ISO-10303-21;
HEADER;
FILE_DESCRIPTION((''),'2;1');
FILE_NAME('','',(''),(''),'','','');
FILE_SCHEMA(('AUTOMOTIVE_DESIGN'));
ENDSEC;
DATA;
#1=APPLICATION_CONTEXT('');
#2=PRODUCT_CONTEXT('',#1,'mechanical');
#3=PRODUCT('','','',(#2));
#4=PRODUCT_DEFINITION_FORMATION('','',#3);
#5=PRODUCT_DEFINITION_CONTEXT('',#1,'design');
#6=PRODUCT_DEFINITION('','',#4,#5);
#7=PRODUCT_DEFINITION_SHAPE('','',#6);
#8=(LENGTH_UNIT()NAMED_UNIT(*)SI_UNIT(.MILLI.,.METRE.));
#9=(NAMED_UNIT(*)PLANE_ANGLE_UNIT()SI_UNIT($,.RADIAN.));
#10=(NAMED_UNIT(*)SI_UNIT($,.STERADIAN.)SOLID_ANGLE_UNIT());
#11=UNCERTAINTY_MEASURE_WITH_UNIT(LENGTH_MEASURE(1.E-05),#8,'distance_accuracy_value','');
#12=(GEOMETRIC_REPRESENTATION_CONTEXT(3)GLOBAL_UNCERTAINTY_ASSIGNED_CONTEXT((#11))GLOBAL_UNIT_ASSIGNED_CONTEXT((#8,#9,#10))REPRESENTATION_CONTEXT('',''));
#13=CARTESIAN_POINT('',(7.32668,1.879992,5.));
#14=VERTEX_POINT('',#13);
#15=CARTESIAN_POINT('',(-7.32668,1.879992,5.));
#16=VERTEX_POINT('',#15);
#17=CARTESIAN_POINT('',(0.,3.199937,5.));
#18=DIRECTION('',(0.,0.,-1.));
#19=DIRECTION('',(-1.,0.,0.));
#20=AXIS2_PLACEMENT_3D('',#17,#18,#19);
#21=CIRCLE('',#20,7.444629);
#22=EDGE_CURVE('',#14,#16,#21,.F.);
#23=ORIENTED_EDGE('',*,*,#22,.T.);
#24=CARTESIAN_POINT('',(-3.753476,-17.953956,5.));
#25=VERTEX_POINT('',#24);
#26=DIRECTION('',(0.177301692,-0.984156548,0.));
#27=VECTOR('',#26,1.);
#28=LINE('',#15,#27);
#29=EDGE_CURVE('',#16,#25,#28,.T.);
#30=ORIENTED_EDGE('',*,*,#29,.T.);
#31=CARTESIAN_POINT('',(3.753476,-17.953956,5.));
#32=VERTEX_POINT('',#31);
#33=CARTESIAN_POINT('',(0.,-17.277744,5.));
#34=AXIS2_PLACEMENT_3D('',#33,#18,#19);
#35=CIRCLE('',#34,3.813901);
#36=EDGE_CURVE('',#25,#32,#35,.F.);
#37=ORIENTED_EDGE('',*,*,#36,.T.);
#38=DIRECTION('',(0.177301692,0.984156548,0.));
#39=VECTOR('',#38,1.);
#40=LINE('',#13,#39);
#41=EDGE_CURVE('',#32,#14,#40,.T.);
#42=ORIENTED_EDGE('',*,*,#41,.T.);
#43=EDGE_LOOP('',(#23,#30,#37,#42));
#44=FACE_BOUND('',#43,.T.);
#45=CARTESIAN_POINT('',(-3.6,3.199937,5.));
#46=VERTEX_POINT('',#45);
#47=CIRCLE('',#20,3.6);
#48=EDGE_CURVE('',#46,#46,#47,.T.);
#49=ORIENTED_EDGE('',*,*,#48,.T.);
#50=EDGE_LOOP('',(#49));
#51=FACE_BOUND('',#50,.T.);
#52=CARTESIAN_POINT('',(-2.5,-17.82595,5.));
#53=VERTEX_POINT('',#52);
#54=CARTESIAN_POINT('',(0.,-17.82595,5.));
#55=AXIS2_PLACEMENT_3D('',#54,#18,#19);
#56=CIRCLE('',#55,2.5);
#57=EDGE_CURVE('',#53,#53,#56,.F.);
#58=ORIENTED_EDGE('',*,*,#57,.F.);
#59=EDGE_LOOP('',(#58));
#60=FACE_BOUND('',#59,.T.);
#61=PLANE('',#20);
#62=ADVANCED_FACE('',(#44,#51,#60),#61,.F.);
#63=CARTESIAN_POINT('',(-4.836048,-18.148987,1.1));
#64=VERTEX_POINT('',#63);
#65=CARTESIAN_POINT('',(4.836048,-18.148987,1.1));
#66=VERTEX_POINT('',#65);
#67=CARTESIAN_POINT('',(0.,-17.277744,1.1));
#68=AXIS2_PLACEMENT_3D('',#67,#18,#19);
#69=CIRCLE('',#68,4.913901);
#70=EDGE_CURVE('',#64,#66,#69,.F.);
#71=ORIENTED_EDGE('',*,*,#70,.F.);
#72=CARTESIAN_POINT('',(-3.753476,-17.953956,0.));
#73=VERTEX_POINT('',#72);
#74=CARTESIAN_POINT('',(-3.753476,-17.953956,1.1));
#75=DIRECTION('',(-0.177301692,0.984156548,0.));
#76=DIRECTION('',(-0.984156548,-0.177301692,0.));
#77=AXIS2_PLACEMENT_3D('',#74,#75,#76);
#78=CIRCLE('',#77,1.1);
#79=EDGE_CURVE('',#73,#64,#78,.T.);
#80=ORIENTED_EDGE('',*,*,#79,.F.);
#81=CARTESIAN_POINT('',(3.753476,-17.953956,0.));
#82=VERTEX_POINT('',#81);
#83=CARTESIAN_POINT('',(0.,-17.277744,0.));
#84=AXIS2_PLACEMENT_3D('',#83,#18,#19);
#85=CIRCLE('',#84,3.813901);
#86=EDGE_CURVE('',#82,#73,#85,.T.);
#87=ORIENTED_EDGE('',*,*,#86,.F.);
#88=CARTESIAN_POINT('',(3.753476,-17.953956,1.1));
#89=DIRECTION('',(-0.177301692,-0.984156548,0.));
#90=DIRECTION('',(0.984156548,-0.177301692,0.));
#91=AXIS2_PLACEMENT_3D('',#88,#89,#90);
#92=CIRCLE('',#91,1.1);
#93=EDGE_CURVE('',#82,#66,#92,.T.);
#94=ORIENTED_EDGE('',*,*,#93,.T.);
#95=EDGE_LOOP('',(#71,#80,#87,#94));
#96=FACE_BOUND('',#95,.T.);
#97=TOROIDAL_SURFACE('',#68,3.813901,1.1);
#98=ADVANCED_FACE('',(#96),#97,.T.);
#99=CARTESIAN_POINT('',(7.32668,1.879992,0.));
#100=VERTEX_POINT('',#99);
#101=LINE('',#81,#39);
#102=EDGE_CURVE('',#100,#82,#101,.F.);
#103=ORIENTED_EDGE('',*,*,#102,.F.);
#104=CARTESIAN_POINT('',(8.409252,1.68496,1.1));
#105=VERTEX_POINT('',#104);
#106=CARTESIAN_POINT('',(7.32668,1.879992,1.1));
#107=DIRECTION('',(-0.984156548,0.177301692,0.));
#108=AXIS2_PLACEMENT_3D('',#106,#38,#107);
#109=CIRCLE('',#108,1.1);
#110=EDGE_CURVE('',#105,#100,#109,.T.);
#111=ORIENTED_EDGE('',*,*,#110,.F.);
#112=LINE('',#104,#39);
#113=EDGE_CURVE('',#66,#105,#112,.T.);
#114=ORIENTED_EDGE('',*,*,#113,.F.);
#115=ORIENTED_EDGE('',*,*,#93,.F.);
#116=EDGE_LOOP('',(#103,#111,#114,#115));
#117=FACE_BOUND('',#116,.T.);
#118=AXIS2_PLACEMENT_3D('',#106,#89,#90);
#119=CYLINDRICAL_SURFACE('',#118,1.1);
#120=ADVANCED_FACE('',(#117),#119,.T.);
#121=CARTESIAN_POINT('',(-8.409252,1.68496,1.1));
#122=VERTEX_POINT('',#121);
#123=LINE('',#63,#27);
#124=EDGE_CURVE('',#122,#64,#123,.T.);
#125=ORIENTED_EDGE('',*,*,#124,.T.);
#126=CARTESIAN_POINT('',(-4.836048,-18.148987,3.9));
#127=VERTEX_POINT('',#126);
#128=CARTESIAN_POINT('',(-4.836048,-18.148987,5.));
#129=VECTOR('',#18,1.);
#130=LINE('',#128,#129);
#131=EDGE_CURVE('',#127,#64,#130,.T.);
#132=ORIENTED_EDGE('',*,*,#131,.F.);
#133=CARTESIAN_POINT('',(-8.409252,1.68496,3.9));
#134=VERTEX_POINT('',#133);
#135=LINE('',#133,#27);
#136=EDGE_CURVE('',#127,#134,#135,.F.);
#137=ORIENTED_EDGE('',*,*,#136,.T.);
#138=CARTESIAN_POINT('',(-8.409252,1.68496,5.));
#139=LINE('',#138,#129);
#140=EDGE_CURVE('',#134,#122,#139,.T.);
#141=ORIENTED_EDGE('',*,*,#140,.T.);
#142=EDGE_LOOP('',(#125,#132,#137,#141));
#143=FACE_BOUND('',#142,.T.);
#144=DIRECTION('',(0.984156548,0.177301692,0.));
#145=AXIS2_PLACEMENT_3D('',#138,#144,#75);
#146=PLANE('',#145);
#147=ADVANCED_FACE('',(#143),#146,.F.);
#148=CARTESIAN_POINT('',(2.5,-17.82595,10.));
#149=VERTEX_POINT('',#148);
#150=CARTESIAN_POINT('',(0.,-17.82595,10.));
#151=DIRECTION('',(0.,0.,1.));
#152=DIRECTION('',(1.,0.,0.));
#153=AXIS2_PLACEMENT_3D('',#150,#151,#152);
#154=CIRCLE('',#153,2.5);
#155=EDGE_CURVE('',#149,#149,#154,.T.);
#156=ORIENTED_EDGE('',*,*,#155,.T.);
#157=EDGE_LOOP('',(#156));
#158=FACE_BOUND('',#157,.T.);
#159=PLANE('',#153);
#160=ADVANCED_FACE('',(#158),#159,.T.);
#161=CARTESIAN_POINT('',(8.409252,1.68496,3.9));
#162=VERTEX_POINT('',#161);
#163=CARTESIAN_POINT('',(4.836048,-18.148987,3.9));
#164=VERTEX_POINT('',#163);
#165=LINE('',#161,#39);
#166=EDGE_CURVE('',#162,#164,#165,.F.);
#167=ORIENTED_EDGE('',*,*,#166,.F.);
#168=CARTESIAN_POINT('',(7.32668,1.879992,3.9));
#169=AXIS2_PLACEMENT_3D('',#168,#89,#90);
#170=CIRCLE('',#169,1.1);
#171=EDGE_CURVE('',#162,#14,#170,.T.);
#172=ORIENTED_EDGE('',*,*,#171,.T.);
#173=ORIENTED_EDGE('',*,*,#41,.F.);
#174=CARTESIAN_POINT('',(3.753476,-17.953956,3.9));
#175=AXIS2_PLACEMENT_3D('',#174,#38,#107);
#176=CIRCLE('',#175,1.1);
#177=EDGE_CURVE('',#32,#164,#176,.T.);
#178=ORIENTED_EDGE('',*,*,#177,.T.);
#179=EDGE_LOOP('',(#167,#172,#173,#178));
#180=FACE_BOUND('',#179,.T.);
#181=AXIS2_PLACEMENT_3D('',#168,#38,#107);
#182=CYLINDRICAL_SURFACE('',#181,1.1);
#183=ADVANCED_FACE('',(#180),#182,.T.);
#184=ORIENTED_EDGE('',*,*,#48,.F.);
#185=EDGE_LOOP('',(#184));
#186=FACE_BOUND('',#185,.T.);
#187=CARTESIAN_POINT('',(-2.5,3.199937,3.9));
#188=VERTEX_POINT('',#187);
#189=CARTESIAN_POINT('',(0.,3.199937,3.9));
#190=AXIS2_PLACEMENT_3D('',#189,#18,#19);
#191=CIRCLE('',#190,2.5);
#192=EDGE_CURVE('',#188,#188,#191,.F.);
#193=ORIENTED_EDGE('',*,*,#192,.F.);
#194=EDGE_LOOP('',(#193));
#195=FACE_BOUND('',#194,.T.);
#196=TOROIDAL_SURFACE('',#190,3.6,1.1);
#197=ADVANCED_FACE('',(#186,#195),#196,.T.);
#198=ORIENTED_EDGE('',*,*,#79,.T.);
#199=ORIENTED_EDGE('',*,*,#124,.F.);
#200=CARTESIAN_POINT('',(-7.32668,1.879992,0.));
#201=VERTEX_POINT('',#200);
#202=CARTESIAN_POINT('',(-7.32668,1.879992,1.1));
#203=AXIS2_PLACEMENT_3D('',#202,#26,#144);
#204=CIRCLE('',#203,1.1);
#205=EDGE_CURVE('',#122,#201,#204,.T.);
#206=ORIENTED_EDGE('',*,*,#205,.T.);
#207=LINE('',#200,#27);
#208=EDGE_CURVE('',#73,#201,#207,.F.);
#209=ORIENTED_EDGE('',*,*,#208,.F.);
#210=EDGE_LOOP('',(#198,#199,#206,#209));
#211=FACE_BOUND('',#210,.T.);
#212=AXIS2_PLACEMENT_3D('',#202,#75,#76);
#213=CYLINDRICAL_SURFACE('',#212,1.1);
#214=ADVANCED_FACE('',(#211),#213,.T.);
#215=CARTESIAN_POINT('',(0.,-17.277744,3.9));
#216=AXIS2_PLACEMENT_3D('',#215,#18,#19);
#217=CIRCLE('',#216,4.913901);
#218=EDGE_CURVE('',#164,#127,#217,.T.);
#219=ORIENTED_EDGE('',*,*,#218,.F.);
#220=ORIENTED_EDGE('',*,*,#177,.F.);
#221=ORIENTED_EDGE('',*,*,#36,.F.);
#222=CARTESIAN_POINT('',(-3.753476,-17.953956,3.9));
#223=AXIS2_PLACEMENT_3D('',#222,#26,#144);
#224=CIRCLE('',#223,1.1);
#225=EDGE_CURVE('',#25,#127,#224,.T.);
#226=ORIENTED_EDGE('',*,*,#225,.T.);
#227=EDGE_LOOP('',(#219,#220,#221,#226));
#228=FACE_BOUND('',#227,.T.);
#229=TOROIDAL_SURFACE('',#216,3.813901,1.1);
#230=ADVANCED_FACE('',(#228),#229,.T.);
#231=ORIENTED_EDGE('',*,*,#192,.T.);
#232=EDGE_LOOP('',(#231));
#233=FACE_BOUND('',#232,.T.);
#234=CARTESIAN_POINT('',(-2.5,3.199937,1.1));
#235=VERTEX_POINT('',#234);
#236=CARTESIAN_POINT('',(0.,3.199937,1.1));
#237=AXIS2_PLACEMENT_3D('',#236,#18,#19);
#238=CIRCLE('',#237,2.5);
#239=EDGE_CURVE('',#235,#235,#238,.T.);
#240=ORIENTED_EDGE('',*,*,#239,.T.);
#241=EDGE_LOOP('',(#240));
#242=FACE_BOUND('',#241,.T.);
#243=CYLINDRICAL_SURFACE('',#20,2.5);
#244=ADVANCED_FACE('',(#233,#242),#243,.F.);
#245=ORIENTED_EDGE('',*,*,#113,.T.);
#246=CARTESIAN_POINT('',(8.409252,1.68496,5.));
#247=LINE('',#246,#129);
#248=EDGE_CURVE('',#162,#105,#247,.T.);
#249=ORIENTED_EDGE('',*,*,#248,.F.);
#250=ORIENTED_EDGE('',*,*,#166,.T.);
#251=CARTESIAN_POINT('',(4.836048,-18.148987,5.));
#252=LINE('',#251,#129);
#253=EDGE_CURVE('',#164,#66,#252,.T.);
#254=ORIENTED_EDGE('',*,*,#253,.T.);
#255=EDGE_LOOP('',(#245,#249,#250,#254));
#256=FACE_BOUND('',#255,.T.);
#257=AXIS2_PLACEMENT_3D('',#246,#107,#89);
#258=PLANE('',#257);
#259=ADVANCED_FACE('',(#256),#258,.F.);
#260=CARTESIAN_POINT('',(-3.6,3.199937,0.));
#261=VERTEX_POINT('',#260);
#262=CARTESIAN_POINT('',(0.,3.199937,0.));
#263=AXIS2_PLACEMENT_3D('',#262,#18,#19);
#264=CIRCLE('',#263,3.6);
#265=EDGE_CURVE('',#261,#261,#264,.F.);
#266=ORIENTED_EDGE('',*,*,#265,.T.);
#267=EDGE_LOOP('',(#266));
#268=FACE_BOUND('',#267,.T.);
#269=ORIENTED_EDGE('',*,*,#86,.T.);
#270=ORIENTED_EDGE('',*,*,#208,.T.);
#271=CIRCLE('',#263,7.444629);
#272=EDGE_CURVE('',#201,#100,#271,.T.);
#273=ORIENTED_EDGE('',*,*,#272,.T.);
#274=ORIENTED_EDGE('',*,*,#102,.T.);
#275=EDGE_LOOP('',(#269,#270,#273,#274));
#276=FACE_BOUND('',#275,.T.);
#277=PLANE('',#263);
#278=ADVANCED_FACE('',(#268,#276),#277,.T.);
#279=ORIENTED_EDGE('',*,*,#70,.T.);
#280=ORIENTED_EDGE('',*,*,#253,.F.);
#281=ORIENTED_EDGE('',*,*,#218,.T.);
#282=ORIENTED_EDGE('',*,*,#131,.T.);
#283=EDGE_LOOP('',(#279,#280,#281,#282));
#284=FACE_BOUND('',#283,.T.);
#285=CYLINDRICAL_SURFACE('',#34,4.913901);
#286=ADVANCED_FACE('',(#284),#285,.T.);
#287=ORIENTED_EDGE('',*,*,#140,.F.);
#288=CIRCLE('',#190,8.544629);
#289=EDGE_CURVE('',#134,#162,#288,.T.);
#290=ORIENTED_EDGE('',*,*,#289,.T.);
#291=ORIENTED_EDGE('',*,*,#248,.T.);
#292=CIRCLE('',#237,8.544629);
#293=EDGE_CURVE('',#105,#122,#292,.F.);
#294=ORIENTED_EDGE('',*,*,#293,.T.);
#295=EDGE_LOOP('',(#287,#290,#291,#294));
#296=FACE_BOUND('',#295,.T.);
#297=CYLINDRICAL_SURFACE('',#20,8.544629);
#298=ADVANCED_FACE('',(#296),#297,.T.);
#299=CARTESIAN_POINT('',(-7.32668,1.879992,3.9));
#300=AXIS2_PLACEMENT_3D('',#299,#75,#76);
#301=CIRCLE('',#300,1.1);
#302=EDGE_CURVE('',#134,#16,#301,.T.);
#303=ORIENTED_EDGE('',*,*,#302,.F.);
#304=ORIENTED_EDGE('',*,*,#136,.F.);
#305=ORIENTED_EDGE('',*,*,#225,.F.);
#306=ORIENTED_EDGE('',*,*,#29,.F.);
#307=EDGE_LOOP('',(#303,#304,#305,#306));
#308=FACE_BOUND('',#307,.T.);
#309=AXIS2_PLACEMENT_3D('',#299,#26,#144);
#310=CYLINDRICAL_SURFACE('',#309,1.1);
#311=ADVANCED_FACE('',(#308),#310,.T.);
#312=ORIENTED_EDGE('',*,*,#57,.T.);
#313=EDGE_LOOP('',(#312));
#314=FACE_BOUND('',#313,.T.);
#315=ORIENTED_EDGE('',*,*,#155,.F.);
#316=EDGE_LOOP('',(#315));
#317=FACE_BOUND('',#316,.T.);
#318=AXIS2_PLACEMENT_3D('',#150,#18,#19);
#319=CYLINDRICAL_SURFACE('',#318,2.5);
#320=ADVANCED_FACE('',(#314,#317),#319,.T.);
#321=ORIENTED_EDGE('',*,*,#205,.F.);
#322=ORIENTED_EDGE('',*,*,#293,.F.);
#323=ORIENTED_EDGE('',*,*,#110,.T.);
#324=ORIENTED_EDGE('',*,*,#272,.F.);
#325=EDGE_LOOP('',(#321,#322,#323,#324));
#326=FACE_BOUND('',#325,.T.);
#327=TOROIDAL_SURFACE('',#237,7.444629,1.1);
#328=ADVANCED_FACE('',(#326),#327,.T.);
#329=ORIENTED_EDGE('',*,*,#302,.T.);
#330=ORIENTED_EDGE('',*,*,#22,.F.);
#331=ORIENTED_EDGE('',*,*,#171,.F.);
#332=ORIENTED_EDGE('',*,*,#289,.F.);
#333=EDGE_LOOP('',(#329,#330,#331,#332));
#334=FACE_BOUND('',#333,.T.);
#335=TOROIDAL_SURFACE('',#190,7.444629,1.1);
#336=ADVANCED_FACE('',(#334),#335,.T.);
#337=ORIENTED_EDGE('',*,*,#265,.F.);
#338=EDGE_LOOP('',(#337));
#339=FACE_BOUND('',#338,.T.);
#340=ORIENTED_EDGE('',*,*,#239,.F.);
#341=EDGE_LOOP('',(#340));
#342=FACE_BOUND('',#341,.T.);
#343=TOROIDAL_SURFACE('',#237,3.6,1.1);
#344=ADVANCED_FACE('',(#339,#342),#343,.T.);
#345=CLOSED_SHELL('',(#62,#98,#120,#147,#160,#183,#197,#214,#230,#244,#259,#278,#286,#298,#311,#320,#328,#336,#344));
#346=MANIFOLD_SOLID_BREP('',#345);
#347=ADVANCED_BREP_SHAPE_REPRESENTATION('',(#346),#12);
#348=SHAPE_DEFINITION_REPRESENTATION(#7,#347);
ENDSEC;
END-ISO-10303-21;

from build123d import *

# Parameters (mm, degrees)
SKETCH2_R           = 2.5
BOSS_EXTRUDE1_DEPTH = 5
FILLET1_R           = 1.1
SKETCH5_R           = 2.5
BOSS_EXTRUDE2_DEPTH = 5


with BuildPart() as part:
    # Sketch2 → Boss-Extrude1 (new body)
    with BuildSketch(Plane.XY):
        with BuildLine():
            Line((-8.409252233, 1.684959921), (-4.836047922, -18.148987446))
            ThreePointArc((-4.836047922, -18.148987446), (0, -22.191645553), (4.836047922, -18.148987446))
            Line((4.836047922, -18.148987446), (8.409252233, 1.684959921))
            ThreePointArc((8.409252233, 1.684959921), (0, 11.744565684), (-8.409252233, 1.684959921))
        make_face()
        with Locations((0, 3.199937034)):
            Circle(SKETCH2_R, mode=Mode.SUBTRACT)
    extrude(amount=BOSS_EXTRUDE1_DEPTH)

    # Fillet1
    fillet1_edges = [part.edges().sort_by_distance(p)[0] for p in [
        (0, -22.191645553, 5),
        (-2.5, 3.199937034, 0),
        (-2.5, 3.199937034, 5),
        (6.622650078, -8.232013763, 5),
        (0, 11.744565684, 5),
        (6.622650078, -8.232013763, 0),
        (0, -22.191645553, 0),
        (-6.622650078, -8.232013763, 0),
        (0, 11.744565684, 0),
        (-6.622650078, -8.232013763, 5),
    ]]
    fillet(fillet1_edges, radius=FILLET1_R)

    # Sketch5 → Boss-Extrude2 (add)
    with BuildSketch(Plane.XY.offset(5)):
        with Locations(Location((0, -17.825950176, 0), (0, 0, 180))):
            Circle(SKETCH5_R)
    extrude(amount=BOSS_EXTRUDE2_DEPTH)


solid = part.part
